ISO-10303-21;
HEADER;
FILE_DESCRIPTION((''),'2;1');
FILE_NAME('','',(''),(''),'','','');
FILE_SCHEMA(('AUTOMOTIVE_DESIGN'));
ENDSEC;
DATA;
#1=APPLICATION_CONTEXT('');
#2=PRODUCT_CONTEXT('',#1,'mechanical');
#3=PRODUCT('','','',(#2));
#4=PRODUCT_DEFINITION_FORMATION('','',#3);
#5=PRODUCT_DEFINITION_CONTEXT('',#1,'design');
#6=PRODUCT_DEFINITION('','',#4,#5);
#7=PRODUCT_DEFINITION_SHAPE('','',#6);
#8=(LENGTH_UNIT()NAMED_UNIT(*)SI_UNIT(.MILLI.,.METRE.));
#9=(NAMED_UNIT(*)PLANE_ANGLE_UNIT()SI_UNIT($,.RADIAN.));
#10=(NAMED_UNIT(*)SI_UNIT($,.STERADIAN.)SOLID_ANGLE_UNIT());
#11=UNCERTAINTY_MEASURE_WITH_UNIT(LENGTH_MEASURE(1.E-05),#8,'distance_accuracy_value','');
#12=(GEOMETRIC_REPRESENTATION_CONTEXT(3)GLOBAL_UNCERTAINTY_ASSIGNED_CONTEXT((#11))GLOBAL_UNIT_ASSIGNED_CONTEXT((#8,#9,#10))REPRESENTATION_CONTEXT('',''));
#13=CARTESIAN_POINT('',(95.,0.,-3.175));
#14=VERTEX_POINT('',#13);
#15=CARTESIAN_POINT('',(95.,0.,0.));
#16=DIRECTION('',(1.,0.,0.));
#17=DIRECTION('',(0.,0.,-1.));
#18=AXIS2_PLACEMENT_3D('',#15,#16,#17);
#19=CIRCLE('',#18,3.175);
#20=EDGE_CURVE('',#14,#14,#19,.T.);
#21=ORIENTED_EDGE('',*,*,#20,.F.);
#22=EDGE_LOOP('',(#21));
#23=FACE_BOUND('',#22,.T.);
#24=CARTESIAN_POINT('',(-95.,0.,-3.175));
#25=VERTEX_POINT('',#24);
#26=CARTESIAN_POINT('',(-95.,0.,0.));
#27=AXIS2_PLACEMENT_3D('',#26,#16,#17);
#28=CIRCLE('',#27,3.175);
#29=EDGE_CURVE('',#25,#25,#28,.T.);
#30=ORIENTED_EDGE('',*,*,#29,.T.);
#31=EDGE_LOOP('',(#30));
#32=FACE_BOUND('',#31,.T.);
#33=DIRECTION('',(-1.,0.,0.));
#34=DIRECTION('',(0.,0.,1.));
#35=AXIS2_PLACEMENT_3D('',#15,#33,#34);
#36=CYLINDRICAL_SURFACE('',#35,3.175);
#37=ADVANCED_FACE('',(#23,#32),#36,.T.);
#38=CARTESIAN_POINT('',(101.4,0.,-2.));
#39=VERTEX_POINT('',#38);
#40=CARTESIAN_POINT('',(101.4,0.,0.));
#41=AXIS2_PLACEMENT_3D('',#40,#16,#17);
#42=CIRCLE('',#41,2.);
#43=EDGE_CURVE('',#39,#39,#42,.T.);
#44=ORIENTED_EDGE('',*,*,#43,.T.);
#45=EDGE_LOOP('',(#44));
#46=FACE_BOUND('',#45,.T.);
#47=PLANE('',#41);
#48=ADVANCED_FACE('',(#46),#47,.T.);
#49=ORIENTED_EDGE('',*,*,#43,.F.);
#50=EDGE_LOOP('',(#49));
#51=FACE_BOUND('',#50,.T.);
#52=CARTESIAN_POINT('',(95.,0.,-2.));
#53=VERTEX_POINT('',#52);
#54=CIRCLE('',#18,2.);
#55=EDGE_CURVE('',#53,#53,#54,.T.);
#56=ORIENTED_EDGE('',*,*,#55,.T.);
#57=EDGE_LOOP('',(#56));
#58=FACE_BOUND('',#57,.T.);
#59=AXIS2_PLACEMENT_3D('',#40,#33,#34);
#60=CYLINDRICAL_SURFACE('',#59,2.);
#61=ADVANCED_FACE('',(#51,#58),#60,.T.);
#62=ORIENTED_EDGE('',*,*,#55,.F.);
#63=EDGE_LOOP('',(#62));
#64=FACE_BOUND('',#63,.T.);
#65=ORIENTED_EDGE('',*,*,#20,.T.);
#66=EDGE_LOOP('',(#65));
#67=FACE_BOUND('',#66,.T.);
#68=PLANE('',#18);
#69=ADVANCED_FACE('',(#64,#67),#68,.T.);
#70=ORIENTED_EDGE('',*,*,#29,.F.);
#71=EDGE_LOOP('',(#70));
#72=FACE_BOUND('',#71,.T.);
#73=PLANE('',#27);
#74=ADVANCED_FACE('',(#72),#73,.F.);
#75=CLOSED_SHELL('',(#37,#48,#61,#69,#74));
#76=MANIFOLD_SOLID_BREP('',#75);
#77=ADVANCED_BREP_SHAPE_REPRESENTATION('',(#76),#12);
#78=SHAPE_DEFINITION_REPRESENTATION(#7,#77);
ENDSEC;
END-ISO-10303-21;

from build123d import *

# Parameters (mm, degrees)
SKETCH1_R           = 3.175
BOSS_EXTRUDE1_DEPTH = 95
SKETCH2_R           = 2
BOSS_EXTRUDE2_DEPTH = 6.4


with BuildPart() as part:
    # Sketch1 → Boss-Extrude1 (new, symmetric)
    with BuildSketch(Plane(origin=(0, 0, 0), x_dir=(0, 0, -1), z_dir=(1, 0, 0))):
        Circle(SKETCH1_R)
    extrude(amount=BOSS_EXTRUDE1_DEPTH, both=True)

    # Sketch2 → Boss-Extrude2 (add)
    with BuildSketch(Plane(origin=(95, 0, 0), x_dir=(0, 0, -1), z_dir=(1, 0, 0))):
        Circle(SKETCH2_R)
    extrude(amount=BOSS_EXTRUDE2_DEPTH)


solid = part.part
